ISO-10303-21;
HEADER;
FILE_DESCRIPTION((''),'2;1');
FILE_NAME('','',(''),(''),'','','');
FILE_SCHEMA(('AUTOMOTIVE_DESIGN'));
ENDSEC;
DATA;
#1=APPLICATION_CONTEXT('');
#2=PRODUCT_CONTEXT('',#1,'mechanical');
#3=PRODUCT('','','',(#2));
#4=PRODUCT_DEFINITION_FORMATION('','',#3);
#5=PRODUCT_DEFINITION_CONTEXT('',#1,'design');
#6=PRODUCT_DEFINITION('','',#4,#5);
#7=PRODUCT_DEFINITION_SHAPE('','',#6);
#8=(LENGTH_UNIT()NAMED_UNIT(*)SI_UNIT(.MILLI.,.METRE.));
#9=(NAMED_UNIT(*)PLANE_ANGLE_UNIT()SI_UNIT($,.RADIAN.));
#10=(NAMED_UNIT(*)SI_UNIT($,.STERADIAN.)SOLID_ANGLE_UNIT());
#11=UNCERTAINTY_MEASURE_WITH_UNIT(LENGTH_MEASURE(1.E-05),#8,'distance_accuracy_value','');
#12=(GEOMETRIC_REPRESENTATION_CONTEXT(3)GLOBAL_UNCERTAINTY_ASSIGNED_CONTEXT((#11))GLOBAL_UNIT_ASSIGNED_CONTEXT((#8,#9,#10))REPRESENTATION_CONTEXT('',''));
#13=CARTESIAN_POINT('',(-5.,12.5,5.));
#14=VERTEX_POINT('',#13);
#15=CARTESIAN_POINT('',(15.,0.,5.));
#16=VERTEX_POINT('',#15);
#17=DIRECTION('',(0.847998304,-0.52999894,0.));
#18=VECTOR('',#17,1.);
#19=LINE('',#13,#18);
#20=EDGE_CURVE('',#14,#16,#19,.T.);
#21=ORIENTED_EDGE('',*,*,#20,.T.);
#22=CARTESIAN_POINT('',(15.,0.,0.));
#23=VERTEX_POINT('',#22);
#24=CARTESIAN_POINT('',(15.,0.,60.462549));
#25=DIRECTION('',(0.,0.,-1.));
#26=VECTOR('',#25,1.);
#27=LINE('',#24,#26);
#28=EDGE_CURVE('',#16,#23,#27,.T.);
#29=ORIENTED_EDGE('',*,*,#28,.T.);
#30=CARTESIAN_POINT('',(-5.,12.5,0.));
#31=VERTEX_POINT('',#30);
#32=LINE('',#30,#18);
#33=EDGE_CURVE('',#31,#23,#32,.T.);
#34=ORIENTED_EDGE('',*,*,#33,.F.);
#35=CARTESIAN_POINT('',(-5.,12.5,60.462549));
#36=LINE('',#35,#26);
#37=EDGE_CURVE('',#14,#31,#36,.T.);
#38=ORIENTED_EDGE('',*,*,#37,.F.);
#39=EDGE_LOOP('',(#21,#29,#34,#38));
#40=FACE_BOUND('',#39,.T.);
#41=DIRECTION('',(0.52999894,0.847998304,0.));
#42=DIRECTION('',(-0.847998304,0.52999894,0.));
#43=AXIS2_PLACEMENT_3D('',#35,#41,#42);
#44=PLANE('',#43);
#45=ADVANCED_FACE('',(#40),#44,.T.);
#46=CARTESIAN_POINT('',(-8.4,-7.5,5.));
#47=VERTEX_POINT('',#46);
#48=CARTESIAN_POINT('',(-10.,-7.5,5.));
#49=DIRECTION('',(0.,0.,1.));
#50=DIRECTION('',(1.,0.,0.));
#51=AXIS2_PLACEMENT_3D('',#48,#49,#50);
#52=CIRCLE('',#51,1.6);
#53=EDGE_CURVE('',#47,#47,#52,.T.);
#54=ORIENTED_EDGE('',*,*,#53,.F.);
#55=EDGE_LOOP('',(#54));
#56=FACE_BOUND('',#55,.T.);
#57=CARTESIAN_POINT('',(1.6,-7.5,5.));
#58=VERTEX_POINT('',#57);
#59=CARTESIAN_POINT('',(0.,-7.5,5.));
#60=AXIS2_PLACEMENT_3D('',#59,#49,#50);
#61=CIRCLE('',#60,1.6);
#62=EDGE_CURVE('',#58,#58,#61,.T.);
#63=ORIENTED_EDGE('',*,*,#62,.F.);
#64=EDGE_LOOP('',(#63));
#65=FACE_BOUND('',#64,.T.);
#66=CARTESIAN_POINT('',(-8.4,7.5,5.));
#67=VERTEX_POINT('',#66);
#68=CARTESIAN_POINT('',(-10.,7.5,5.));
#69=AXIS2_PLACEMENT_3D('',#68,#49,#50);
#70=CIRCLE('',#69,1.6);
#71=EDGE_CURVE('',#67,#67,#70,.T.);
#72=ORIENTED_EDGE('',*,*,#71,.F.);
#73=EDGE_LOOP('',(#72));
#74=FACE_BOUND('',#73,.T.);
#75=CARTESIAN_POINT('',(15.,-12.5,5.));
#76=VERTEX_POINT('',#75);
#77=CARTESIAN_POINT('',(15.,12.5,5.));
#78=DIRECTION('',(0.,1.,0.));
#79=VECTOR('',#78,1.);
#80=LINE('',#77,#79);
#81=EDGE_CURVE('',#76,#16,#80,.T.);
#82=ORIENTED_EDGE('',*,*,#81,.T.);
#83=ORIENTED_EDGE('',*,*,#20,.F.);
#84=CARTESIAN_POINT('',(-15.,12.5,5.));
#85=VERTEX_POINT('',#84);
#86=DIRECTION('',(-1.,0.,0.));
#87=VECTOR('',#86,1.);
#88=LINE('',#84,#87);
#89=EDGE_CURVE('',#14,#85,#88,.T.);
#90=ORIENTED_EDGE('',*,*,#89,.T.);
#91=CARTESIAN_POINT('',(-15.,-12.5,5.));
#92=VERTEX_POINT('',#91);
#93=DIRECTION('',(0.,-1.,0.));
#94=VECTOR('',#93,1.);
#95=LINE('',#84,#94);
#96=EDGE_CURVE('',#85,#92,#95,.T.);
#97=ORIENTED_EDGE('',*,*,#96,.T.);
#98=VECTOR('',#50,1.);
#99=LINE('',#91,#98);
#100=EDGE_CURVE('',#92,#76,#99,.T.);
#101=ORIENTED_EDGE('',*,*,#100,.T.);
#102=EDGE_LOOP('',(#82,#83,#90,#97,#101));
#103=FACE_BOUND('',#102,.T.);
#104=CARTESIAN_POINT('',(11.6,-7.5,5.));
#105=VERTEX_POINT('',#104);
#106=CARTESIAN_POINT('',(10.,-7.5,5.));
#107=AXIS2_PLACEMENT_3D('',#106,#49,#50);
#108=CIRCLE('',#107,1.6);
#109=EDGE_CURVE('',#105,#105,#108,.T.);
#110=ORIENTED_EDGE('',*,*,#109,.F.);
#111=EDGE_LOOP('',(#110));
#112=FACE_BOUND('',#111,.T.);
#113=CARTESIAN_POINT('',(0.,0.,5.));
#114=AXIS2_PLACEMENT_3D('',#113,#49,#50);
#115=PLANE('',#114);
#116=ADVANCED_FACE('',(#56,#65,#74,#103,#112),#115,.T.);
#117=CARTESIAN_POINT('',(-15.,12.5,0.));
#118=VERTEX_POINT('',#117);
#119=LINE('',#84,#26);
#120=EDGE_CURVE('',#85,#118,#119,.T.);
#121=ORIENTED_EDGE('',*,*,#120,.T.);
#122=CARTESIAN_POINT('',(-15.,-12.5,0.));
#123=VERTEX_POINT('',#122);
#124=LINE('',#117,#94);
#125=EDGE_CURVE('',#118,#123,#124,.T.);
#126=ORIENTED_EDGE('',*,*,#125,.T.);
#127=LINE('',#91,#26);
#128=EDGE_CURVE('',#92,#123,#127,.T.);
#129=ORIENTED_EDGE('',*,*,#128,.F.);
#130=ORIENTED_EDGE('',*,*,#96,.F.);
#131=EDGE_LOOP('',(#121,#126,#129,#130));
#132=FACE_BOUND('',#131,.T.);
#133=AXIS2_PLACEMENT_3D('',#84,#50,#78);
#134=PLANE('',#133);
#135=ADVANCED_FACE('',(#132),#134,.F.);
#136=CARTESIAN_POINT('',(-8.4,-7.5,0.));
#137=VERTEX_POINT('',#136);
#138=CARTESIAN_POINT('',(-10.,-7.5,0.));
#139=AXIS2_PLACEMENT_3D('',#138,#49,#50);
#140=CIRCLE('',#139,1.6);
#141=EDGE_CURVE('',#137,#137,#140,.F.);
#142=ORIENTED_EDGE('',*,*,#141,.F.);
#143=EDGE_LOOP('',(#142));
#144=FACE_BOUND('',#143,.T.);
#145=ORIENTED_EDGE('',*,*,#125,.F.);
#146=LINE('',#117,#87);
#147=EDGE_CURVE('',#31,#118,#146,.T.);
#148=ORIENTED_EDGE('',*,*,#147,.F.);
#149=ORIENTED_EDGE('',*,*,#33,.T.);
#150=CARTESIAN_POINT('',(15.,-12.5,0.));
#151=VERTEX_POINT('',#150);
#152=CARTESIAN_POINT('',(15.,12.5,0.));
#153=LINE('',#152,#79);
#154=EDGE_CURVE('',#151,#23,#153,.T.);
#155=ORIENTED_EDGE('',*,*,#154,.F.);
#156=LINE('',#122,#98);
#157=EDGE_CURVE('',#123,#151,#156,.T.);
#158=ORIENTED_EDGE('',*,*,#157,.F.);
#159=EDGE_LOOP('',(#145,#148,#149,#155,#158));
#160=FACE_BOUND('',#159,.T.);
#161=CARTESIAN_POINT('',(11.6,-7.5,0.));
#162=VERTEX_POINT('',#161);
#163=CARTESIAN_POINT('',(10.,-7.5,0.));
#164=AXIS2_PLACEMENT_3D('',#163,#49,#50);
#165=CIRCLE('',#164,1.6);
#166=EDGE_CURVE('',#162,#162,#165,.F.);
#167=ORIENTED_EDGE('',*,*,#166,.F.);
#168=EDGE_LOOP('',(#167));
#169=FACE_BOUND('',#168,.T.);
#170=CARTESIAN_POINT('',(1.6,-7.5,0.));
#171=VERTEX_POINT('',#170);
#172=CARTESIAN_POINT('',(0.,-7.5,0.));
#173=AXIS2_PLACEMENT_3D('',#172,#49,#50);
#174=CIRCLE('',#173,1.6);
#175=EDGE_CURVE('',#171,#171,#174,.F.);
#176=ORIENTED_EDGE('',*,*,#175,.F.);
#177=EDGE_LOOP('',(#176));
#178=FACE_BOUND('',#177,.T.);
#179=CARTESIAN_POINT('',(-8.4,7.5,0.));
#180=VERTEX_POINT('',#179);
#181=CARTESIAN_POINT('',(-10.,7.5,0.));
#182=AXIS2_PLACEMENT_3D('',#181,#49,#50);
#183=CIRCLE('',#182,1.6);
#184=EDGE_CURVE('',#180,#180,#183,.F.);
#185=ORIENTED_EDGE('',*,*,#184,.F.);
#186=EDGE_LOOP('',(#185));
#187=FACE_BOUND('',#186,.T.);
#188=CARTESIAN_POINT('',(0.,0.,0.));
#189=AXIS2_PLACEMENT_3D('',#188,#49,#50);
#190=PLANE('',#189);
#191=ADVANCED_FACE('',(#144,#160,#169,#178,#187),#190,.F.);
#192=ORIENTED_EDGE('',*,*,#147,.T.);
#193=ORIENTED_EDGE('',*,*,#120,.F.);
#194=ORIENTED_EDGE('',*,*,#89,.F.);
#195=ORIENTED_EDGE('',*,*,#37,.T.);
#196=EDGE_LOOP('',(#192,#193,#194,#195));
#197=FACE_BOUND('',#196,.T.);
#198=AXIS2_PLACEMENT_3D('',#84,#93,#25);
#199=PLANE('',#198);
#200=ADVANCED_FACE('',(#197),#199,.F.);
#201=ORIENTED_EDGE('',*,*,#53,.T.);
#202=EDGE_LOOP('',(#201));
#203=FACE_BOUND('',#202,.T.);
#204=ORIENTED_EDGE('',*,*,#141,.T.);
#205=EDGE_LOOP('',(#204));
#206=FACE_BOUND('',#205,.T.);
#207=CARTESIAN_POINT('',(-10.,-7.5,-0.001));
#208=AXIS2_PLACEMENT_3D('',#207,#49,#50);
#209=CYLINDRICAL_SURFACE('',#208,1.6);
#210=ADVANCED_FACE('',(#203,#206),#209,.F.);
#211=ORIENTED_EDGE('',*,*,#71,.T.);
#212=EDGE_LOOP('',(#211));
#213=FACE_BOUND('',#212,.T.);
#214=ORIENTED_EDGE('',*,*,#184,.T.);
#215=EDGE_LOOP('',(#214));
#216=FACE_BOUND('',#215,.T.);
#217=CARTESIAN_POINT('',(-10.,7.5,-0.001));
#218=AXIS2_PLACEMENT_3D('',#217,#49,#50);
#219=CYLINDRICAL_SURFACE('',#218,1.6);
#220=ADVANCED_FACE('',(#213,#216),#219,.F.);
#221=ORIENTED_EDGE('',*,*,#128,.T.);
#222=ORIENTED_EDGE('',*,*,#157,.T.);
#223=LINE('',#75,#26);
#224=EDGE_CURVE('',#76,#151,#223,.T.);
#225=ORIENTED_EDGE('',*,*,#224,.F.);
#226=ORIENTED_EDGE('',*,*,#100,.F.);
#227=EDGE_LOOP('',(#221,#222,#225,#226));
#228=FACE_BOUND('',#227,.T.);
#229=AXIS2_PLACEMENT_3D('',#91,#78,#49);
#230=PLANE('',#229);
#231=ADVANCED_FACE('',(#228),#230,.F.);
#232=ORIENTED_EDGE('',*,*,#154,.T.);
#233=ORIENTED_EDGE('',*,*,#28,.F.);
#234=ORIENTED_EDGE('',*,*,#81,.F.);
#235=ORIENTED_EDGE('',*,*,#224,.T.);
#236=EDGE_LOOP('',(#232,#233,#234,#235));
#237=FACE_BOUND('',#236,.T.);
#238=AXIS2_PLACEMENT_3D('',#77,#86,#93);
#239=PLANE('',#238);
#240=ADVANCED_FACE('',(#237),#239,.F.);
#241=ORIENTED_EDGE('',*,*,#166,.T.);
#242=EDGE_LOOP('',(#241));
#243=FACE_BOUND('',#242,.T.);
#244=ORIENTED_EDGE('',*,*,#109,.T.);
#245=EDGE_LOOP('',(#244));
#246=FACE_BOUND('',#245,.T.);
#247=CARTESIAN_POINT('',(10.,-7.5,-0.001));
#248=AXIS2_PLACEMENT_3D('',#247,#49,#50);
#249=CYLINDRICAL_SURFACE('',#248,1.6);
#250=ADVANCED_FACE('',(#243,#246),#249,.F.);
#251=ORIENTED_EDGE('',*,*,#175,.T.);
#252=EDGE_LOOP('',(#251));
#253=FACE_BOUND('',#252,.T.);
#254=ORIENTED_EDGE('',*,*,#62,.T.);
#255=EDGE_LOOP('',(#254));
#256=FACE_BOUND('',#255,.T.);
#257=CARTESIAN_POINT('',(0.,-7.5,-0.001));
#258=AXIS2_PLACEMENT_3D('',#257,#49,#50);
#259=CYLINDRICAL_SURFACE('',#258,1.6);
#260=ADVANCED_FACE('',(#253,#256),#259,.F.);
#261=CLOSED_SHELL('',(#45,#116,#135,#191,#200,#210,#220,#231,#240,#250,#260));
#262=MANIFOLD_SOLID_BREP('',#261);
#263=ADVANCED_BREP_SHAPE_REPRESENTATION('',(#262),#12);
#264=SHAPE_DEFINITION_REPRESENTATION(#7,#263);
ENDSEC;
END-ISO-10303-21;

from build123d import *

# Parameters (mm, degrees)
SKETCH1_W               = 30
SKETCH1_H               = 25
BOSS_EXTRUDE1_DEPTH     = 5
CUT_EXTRUDE1_REACH      = 22.156
SKETCH2_R               = 1.6
CUT_EXTRUDE2_DEPTH      = 21.155644371
CUT_EXTRUDE2_DEPTH_BACK = 5


with BuildPart() as part:
    # Sketch1 → Boss-Extrude1 (new body)
    with BuildSketch(Plane.XY):
        Rectangle(SKETCH1_W, SKETCH1_H)
    extrude(amount=BOSS_EXTRUDE1_DEPTH)

    # Sketch2 → Cut-Extrude1 (cut, up to next)
    with BuildSketch(Plane.XY.offset(5), mode=Mode.PRIVATE) as cut_extrude1_sk1:
        with Locations((-10, -7.5)):
            Circle(SKETCH2_R)
    cut_extrude1_tool1 = extrude(cut_extrude1_sk1.sketch, amount=-CUT_EXTRUDE1_REACH, mode=Mode.PRIVATE) & part.part
    # Sketch2 → Cut-Extrude1 (cut, up to next)
    with BuildSketch(Plane.XY.offset(5), mode=Mode.PRIVATE) as cut_extrude1_sk2:
        with Locations((0, -7.5)):
            Circle(SKETCH2_R)
    cut_extrude1_tool2 = extrude(cut_extrude1_sk2.sketch, amount=-CUT_EXTRUDE1_REACH, mode=Mode.PRIVATE) & part.part
    # Sketch2 → Cut-Extrude1 (cut, up to next)
    with BuildSketch(Plane.XY.offset(5), mode=Mode.PRIVATE) as cut_extrude1_sk3:
        with Locations((10, -7.5)):
            Circle(SKETCH2_R)
    cut_extrude1_tool3 = extrude(cut_extrude1_sk3.sketch, amount=-CUT_EXTRUDE1_REACH, mode=Mode.PRIVATE) & part.part
    # Sketch2 → Cut-Extrude1 (cut, up to next)
    with BuildSketch(Plane.XY.offset(5), mode=Mode.PRIVATE) as cut_extrude1_sk4:
        with Locations((-10, 7.5)):
            Circle(SKETCH2_R)
    cut_extrude1_tool4 = extrude(cut_extrude1_sk4.sketch, amount=-CUT_EXTRUDE1_REACH, mode=Mode.PRIVATE) & part.part
    add(cut_extrude1_tool1.solids().sort_by_distance((-10, -7.5, 5))[0], mode=Mode.SUBTRACT)
    add(cut_extrude1_tool2.solids().sort_by_distance((0, -7.5, 5))[0], mode=Mode.SUBTRACT)
    add(cut_extrude1_tool3.solids().sort_by_distance((10, -7.5, 5))[0], mode=Mode.SUBTRACT)
    add(cut_extrude1_tool4.solids().sort_by_distance((-10, 7.5, 5))[0], mode=Mode.SUBTRACT)

    # Sketch3 → Cut-Extrude2 (cut, two sides: drawn at the far end of the back side and taken through both)
    with BuildSketch(Plane.XY.offset(5).offset(-CUT_EXTRUDE2_DEPTH_BACK)):
        Polygon((-68.5998728, 52.2499205), (-5, 12.5), (15, 0), (78.5998728, -39.7499205), (158.099713801, 87.449825101), (10.8999682, 179.449666101), align=None)
    extrude(amount=CUT_EXTRUDE2_DEPTH + CUT_EXTRUDE2_DEPTH_BACK, mode=Mode.SUBTRACT)


solid = part.part
